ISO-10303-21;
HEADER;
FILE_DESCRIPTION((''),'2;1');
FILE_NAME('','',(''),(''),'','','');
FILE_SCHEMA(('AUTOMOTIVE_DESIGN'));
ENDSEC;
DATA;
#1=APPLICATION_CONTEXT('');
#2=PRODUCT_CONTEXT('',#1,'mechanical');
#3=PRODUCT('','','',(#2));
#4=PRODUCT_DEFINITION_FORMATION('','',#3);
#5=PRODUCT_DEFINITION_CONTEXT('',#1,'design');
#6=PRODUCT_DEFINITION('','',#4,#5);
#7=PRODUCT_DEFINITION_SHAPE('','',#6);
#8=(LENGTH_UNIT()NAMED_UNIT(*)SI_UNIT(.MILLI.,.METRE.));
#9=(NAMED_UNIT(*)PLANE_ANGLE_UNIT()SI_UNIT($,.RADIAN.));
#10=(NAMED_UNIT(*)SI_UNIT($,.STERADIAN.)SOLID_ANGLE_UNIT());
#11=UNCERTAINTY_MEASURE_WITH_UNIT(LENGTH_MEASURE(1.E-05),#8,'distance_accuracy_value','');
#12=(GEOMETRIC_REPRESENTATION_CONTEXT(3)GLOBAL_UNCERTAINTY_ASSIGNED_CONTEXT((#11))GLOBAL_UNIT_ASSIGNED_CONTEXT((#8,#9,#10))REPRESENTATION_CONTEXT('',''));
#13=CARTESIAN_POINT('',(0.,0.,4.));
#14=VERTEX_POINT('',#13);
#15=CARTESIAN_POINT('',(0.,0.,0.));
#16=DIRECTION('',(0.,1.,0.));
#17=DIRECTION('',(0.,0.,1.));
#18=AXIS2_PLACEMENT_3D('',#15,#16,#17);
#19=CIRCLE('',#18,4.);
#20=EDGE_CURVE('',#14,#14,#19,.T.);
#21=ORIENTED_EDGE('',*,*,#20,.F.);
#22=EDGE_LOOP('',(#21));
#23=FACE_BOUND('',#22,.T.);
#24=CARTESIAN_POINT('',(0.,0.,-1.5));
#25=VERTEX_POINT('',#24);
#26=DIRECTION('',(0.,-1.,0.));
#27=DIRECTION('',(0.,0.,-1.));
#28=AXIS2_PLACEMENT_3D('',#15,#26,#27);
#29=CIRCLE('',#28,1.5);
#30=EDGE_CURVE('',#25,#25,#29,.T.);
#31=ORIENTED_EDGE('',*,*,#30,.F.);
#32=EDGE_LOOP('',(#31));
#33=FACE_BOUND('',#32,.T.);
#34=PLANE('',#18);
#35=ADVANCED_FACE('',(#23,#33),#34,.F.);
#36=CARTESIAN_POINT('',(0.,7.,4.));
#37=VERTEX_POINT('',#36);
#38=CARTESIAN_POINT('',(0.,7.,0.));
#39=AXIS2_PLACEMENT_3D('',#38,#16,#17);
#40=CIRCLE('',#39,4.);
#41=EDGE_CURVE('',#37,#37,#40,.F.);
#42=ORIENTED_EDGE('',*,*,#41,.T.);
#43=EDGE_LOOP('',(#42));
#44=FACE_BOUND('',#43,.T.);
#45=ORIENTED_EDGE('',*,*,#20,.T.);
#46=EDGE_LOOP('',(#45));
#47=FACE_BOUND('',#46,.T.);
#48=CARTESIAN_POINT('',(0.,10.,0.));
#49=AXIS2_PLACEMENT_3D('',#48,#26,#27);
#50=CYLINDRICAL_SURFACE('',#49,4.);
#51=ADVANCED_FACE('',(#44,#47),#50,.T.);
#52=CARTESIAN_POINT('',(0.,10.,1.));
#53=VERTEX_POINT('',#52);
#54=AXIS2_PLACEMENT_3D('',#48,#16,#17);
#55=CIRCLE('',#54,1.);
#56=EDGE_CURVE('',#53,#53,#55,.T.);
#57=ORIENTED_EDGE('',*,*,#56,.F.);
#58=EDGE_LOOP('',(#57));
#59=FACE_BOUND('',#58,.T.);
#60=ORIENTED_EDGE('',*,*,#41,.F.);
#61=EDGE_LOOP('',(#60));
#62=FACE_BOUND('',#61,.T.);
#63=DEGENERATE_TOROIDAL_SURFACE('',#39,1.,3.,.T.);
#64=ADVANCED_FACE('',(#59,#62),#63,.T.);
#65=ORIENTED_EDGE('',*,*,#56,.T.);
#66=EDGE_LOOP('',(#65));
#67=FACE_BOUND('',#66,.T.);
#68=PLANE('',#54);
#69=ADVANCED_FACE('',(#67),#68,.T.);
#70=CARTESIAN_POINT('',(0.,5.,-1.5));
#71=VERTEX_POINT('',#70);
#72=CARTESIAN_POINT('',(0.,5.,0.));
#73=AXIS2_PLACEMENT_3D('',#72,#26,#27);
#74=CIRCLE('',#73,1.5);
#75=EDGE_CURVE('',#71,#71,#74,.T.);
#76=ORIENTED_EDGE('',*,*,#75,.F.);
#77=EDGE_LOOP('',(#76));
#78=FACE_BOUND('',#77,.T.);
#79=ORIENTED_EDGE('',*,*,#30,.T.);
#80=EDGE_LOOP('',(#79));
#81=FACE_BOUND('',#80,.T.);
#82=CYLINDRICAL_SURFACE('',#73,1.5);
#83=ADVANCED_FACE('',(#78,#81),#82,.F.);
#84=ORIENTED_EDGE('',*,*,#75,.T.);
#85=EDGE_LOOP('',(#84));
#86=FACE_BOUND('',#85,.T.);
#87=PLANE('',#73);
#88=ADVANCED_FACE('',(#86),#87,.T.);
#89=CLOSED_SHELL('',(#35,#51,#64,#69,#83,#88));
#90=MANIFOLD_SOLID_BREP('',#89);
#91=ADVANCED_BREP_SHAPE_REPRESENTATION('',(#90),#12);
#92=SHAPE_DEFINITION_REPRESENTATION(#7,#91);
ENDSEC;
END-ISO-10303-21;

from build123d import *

# Parameters (mm, degrees)
SKETCH1_R           = 4
BOSS_EXTRUDE1_DEPTH = 10
FILLET1_R           = 3
SKETCH2_R           = 1.5
CUT_EXTRUDE1_DEPTH  = 5


with BuildPart() as part:
    # Sketch1 → Boss-Extrude1 (new body)
    with BuildSketch(Plane(origin=(0, 0, 0), x_dir=(1, 0, 0), z_dir=(0, 1, 0))):
        Circle(SKETCH1_R)
    extrude(amount=BOSS_EXTRUDE1_DEPTH)

    # Fillet1
    fillet1_edges = [part.edges().sort_by_distance(p)[0] for p in [
        (-4, 10, 0),
    ]]
    fillet(fillet1_edges, radius=FILLET1_R)

    # Sketch2 → Cut-Extrude1 (cut)
    with BuildSketch(Plane.XZ):
        Circle(SKETCH2_R)
    extrude(amount=-CUT_EXTRUDE1_DEPTH, mode=Mode.SUBTRACT)


solid = part.part
